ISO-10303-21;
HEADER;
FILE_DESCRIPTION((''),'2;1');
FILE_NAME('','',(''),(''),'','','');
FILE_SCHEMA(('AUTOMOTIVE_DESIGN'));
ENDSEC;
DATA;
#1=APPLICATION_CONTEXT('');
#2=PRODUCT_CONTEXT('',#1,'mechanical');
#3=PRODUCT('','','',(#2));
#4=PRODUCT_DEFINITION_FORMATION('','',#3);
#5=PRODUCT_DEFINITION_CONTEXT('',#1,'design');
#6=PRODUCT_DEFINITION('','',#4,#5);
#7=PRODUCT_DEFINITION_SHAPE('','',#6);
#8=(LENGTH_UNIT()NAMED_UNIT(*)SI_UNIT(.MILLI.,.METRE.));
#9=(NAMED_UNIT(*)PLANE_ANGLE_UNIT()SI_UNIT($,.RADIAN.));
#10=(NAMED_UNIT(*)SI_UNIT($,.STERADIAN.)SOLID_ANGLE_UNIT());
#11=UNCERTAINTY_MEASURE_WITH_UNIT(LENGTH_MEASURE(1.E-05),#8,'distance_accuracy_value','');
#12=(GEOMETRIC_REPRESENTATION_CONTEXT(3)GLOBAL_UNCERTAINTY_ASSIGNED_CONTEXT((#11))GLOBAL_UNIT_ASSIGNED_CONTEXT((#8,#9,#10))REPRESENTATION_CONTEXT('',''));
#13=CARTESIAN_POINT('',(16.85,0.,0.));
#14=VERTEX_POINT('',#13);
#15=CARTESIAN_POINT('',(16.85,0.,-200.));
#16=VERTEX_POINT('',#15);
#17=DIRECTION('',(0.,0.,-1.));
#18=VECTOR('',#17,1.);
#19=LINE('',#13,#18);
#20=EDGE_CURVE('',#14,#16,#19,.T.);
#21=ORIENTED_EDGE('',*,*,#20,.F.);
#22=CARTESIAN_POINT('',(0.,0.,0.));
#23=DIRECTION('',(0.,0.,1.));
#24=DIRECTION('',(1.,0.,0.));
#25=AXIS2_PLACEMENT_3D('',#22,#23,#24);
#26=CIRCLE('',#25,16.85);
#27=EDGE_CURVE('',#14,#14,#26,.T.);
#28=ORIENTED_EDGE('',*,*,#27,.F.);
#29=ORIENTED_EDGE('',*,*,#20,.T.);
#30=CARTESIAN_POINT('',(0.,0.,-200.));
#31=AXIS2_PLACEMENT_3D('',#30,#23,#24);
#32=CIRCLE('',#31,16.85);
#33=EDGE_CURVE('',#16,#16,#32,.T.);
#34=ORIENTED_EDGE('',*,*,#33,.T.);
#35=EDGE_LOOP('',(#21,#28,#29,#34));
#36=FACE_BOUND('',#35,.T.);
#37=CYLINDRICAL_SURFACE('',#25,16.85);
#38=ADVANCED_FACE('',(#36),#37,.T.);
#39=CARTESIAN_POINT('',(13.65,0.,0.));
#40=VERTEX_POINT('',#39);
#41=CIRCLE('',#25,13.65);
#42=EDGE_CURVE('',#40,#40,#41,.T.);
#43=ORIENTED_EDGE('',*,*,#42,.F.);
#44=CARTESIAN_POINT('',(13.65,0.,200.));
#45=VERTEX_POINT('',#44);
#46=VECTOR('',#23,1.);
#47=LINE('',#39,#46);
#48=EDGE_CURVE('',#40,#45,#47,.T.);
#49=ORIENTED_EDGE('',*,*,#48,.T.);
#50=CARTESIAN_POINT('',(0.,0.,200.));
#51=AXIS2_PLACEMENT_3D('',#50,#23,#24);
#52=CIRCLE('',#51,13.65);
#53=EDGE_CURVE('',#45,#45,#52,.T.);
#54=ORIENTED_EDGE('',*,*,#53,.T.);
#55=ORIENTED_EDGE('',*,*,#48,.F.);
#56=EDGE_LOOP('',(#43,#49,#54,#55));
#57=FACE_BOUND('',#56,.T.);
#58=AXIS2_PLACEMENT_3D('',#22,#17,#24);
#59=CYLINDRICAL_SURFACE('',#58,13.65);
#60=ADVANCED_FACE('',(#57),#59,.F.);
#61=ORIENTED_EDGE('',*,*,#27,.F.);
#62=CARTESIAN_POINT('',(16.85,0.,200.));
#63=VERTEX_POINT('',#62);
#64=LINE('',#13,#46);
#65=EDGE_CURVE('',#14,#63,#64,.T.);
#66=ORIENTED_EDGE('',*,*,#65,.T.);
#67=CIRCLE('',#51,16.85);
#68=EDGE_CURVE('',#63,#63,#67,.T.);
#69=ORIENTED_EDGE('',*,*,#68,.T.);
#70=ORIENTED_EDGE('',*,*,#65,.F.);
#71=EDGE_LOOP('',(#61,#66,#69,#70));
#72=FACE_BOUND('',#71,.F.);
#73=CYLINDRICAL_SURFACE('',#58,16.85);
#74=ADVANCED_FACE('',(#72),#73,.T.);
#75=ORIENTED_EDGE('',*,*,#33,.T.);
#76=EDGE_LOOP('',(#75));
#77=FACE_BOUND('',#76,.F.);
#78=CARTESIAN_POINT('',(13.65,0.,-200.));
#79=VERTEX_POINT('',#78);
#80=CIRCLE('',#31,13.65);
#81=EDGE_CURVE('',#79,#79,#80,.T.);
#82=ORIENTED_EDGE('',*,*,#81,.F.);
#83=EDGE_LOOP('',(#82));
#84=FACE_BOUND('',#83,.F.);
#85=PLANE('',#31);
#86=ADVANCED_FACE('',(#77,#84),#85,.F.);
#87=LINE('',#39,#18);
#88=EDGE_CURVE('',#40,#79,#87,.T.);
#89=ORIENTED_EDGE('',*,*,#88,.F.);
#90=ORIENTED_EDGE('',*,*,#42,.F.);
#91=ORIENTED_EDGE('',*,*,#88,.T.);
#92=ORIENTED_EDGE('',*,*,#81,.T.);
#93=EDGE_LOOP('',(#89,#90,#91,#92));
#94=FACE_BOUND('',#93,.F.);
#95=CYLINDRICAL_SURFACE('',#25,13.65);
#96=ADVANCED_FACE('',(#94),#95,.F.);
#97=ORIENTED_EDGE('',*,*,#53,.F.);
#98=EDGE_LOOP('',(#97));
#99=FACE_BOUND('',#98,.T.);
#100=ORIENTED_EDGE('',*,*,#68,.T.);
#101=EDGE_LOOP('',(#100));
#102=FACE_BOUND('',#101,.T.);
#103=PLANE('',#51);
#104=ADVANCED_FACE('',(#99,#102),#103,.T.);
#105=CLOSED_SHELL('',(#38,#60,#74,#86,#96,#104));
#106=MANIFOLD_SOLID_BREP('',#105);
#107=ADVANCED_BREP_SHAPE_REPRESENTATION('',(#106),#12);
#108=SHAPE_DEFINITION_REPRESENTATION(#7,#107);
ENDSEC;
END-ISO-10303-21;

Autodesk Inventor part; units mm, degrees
ref_plane "YZ Plane" through (0, 0, 0) normal (1, 0, 0) x (0, 1, 0)
ref_plane "XZ Plane" through (0, 0, 0) normal (0, 1, 0) x (-1, 0, 0)
ref_plane "XY Plane" through (0, 0, 0) normal (0, 0, 1) x (1, 0, 0)
sketch "Sketch1" plane through (0, 0, 0) normal (0, 0, 1) x (1, 0, 0)
  circle A0 centre (0, 0) radius 16.85
  circle A1 centre (0, 0) radius 13.65
  dimension "OD" = 33.7
  dimension "t" = 3.2
extrude "Extrusion1" add sketch "Sketch1" along normal mid plane 400
equation "\"size\" = 6"
properties part number "tube-17"
